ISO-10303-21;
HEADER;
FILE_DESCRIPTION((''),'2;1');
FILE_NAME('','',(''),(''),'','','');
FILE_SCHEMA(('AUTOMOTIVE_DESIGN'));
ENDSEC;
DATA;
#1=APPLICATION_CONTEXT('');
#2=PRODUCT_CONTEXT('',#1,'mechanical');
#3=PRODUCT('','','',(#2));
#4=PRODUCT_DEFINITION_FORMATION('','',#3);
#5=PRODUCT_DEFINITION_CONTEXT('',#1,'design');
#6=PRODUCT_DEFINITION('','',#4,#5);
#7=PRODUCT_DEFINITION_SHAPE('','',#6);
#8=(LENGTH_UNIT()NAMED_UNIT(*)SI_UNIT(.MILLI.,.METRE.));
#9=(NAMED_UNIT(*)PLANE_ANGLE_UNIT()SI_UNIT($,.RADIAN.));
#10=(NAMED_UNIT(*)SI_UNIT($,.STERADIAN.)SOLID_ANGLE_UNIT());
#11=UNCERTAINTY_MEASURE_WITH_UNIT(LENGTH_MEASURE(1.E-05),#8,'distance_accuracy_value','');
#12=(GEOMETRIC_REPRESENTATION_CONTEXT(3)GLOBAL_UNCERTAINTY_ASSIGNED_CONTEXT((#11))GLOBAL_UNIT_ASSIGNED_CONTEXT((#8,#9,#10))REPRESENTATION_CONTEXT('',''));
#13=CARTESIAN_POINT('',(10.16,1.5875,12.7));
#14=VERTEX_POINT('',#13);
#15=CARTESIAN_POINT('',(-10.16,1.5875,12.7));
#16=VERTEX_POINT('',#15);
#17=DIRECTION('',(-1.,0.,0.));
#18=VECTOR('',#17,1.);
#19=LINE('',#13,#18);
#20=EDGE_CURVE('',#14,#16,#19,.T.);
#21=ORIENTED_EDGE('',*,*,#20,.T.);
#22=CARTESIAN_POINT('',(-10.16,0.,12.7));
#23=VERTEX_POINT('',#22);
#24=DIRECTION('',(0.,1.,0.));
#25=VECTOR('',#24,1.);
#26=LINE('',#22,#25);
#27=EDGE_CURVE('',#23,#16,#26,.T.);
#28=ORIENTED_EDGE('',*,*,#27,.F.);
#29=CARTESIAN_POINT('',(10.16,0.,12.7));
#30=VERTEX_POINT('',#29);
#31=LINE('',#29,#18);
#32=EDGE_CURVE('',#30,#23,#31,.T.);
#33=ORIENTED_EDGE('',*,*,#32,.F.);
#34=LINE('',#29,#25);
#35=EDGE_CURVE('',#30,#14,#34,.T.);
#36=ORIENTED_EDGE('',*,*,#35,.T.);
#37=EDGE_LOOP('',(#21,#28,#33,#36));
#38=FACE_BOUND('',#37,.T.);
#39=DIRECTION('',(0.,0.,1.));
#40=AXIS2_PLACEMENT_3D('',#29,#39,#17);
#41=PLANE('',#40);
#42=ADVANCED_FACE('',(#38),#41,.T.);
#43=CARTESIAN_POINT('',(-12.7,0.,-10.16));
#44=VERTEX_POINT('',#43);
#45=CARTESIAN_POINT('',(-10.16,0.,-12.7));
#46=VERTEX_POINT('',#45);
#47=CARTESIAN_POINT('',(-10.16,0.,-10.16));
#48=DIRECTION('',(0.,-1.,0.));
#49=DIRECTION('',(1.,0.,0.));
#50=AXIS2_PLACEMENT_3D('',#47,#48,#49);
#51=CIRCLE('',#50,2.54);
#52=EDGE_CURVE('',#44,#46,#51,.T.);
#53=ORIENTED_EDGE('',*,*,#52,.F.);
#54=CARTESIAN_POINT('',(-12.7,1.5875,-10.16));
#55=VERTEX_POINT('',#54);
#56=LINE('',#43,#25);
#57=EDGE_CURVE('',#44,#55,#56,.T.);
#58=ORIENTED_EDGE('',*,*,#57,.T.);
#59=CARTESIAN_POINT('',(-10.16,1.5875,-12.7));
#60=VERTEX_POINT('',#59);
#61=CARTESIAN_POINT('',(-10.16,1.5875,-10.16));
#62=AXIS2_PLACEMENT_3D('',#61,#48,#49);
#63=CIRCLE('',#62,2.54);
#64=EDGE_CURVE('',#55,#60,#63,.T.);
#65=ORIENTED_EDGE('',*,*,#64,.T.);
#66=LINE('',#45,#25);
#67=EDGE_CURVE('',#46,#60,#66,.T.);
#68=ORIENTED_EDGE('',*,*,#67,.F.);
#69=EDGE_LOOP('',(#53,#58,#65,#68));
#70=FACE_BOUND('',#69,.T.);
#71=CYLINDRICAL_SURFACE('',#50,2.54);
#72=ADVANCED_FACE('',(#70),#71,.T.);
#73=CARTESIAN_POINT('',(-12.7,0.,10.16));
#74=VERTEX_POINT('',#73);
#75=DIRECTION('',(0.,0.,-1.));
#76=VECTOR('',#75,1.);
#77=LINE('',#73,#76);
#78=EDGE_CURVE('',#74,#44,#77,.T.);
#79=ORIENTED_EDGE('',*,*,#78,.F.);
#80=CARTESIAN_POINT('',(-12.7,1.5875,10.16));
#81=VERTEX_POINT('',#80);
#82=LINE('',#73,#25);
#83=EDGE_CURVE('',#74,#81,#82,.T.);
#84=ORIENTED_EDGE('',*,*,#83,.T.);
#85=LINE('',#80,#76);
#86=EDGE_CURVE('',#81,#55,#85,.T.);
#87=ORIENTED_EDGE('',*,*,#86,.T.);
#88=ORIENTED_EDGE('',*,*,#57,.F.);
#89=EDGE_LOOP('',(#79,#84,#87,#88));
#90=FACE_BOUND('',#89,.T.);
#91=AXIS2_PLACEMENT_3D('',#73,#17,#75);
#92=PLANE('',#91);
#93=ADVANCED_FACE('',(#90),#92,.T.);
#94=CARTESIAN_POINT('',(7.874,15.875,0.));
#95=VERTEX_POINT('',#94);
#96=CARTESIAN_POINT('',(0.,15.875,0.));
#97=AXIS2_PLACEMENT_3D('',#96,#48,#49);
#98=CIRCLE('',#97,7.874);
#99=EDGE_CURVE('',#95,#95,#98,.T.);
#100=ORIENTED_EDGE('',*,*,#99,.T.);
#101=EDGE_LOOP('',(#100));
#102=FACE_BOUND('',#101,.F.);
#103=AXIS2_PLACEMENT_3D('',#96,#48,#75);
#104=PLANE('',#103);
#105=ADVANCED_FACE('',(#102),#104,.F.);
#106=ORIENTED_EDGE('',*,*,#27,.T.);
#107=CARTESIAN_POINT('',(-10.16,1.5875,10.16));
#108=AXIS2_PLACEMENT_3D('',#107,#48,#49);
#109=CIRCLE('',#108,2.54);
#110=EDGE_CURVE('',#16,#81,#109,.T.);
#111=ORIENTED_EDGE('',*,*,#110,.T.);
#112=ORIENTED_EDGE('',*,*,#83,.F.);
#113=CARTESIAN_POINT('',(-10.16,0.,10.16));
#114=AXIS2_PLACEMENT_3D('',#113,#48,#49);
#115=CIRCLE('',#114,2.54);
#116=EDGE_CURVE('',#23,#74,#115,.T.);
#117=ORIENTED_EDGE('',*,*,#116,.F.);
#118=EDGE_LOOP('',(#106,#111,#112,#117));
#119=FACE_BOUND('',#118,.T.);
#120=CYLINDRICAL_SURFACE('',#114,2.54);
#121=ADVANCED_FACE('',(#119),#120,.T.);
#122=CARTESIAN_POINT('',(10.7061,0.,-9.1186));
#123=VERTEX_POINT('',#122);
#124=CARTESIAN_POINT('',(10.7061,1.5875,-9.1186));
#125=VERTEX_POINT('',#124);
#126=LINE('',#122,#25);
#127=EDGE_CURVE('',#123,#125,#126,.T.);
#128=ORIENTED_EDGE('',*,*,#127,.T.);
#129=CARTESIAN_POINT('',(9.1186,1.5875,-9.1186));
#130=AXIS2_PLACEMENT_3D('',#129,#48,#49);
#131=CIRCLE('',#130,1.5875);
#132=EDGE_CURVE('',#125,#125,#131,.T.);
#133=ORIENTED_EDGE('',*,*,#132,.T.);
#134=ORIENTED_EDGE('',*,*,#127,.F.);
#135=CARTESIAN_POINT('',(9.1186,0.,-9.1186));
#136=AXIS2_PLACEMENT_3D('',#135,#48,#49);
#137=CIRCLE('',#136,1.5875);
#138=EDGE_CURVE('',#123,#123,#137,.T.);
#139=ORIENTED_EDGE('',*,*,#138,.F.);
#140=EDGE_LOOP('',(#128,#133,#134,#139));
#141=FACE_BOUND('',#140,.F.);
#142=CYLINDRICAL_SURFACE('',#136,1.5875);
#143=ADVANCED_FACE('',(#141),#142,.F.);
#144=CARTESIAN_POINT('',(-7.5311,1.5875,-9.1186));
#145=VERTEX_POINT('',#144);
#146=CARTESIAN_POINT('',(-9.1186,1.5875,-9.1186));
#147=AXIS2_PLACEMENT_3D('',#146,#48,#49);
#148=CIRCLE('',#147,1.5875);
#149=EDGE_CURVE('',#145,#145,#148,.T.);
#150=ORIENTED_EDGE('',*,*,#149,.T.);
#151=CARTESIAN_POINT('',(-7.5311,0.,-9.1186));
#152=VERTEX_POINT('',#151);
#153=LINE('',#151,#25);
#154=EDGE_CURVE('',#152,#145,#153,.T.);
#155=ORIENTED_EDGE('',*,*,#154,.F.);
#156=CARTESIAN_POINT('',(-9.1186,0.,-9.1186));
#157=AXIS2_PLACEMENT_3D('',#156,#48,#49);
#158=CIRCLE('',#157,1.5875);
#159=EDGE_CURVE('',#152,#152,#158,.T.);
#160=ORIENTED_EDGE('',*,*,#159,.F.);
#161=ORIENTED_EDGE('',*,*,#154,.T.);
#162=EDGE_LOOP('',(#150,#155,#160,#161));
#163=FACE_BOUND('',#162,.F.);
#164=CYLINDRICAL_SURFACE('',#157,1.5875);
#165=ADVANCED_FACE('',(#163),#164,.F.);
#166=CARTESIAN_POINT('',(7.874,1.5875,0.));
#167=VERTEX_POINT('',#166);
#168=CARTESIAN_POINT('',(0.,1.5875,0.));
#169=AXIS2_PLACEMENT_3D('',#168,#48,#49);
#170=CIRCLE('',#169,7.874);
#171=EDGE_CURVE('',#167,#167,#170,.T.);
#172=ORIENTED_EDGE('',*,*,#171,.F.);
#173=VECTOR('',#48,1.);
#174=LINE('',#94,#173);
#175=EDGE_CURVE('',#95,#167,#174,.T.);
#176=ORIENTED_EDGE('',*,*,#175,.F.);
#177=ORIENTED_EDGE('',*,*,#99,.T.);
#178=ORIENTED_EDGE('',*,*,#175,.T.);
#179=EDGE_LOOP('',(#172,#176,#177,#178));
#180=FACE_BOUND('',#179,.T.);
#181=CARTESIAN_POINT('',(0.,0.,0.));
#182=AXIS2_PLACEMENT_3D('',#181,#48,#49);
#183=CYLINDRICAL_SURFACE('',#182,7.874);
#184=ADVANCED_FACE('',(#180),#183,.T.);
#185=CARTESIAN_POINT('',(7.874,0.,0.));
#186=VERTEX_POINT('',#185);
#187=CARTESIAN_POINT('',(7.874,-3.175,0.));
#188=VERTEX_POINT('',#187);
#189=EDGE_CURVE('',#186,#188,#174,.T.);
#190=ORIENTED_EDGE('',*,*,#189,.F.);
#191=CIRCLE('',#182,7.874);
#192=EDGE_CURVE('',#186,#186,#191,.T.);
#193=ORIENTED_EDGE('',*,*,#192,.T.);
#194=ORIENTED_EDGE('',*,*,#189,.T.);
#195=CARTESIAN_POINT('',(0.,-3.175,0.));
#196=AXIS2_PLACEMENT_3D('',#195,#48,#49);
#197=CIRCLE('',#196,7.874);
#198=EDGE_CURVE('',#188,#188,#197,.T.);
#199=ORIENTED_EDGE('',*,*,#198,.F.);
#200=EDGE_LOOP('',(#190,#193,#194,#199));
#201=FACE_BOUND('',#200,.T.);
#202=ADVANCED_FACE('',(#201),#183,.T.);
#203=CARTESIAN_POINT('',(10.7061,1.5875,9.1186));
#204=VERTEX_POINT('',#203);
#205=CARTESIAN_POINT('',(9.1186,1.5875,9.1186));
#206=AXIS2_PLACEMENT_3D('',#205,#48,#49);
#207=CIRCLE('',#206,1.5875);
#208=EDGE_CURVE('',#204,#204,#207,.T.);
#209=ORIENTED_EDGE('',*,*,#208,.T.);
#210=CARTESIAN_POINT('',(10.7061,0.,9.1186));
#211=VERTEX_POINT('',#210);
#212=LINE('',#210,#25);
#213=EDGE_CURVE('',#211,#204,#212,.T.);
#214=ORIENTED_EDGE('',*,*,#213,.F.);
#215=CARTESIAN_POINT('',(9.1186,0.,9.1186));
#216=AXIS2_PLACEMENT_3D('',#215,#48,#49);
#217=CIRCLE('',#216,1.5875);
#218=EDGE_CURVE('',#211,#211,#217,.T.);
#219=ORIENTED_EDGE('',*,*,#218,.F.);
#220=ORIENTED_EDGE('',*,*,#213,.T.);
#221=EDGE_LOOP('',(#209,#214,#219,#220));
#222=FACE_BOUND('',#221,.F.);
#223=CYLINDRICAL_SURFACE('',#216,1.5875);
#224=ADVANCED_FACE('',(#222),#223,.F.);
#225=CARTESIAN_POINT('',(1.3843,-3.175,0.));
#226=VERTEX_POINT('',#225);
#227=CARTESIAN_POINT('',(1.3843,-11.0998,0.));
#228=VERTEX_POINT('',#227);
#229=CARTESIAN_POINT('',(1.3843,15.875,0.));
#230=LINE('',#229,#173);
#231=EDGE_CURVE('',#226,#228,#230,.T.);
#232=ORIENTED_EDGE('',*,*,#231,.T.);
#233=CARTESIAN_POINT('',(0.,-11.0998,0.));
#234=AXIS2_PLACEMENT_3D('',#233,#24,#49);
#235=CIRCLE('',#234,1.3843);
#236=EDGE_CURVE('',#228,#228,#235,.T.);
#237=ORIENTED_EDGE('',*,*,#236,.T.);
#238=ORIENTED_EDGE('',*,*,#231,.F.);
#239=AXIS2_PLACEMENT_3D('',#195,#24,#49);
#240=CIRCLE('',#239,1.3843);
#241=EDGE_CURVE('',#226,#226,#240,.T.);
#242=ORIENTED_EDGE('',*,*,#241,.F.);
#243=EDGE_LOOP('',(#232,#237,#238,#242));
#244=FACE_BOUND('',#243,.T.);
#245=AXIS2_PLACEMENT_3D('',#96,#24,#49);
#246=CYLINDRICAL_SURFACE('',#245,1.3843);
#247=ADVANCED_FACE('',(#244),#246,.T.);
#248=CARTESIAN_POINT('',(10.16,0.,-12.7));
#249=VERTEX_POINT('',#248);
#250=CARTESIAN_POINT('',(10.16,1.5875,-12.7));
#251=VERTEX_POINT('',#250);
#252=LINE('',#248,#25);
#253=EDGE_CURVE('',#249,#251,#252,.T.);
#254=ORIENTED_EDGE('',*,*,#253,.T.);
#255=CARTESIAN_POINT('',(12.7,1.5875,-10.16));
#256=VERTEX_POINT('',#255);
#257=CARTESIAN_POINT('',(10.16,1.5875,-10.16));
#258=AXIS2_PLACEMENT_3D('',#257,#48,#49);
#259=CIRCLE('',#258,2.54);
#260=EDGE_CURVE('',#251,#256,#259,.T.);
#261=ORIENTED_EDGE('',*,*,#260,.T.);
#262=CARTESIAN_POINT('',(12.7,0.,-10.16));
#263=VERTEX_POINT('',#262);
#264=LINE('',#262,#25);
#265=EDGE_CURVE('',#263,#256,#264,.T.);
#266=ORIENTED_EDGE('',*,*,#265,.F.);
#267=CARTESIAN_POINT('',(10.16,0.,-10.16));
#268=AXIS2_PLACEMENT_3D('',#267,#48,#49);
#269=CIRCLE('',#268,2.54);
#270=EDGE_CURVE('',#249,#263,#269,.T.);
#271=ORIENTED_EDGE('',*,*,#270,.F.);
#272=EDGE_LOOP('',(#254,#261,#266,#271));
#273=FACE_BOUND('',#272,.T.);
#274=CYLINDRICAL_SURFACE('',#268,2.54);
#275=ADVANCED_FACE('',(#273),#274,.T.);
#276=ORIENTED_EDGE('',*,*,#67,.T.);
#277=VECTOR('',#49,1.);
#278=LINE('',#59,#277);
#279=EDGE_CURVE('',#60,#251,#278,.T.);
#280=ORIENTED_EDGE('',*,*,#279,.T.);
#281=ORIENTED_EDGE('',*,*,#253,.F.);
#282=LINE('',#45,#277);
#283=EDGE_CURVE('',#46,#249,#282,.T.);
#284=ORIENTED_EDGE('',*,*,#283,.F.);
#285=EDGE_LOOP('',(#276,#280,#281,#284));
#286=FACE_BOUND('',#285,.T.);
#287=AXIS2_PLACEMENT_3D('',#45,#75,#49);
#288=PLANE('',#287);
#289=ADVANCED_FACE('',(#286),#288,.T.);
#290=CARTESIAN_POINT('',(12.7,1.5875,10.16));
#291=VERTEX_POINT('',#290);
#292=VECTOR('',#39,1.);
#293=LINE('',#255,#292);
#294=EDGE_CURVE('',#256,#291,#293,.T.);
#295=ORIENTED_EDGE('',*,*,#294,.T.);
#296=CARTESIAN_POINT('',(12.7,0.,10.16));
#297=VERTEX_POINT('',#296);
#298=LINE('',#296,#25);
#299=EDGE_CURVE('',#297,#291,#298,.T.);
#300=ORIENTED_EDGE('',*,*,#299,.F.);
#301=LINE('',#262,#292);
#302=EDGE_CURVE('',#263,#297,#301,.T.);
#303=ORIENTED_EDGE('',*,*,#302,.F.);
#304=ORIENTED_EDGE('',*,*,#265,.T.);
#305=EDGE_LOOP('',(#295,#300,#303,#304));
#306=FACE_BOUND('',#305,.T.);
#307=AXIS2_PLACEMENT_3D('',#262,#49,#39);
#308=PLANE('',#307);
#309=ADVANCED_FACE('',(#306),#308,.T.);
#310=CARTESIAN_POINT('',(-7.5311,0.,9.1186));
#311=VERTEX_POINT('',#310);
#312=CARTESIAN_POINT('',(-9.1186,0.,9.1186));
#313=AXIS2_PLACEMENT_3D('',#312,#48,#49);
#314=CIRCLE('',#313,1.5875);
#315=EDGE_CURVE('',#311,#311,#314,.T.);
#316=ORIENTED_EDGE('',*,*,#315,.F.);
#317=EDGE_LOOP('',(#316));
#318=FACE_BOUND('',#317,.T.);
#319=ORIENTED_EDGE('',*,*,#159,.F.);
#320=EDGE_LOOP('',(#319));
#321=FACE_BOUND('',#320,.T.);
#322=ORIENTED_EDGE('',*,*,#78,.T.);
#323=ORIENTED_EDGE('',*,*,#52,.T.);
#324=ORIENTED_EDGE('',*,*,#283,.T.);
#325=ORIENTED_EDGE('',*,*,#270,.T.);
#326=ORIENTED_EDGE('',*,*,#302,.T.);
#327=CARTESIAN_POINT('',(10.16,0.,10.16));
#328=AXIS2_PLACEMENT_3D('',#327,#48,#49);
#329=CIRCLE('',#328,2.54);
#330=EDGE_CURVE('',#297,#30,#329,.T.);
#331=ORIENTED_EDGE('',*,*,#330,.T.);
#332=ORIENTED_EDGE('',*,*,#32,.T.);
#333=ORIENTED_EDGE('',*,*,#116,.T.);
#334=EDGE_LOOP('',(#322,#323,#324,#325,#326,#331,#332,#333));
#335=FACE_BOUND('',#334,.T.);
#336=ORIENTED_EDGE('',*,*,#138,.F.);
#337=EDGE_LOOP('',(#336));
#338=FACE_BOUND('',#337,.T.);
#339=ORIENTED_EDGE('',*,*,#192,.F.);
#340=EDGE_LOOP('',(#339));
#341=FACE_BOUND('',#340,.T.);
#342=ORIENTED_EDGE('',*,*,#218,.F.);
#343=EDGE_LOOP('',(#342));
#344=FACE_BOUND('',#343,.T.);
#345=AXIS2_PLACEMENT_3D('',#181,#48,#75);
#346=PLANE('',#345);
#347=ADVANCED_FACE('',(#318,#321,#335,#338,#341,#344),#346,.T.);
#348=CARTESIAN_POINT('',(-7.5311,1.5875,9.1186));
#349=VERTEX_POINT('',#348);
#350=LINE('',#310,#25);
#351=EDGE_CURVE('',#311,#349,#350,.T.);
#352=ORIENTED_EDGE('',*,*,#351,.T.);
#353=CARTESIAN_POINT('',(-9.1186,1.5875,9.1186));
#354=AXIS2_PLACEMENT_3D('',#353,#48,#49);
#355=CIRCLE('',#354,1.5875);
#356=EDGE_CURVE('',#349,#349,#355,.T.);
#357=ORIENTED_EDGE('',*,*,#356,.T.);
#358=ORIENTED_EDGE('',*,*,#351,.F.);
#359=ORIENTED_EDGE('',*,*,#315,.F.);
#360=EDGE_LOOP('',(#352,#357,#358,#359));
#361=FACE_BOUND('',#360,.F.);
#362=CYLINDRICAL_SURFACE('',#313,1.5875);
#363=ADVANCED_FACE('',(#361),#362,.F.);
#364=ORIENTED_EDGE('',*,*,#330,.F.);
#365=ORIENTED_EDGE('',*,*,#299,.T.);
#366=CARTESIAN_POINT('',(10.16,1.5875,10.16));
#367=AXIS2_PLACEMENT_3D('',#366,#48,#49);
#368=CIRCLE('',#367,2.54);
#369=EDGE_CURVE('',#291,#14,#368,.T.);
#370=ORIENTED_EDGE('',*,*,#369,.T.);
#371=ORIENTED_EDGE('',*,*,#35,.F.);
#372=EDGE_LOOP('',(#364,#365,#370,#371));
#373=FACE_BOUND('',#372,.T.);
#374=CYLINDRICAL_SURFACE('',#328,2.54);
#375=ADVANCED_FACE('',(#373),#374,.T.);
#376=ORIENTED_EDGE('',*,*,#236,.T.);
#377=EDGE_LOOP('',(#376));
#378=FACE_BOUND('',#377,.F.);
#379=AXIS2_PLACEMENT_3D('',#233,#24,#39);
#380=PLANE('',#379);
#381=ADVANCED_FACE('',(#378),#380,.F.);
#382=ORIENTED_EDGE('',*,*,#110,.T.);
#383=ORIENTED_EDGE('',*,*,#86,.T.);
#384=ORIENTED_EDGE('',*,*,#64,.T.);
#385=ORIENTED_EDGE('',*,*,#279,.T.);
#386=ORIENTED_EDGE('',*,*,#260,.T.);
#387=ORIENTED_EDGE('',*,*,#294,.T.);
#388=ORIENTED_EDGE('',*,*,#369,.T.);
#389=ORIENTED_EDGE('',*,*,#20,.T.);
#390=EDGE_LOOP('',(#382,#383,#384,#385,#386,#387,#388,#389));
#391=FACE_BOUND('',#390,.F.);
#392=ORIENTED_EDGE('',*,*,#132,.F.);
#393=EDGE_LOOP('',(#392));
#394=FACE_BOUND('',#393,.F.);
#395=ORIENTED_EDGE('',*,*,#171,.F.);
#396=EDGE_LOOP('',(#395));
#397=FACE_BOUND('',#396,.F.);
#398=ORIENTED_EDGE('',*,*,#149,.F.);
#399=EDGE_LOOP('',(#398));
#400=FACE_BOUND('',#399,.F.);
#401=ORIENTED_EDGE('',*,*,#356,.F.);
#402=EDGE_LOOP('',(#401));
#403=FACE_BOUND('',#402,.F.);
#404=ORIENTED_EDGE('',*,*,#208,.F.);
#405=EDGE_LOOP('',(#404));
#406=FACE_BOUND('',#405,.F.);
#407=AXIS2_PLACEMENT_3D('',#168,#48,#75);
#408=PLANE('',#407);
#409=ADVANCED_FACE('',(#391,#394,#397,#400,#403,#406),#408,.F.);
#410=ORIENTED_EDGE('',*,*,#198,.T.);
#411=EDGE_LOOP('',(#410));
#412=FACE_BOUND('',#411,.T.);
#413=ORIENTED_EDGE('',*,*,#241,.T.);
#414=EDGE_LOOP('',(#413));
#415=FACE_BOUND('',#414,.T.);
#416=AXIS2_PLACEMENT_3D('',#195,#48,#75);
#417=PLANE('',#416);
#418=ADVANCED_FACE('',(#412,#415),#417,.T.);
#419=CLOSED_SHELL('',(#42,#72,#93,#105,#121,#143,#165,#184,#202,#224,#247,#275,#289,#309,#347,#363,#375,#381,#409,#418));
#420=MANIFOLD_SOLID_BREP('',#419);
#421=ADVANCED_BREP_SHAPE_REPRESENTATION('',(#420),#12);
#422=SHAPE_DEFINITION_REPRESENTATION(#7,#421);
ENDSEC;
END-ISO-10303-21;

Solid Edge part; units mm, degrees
sketch "Sketch1" plane through (0, 0, 0) normal (0, -1, 0) x (1, 0, 0)
  line L0 (10.16, 12.7) -> (-10.16, 12.7)
  arc A0 (-10.16, 12.7) -> (-12.7, 10.16) centre (-10.16, 10.16) ccw
  line L1 (-12.7, 10.16) -> (-12.7, -10.16)
  arc A1 (-12.7, -10.16) -> (-10.16, -12.7) centre (-10.16, -10.16) ccw
  line L2 (-10.16, -12.7) -> (10.16, -12.7)
  arc A2 (10.16, -12.7) -> (12.7, -10.16) centre (10.16, -10.16) ccw
  line L3 (12.7, -10.16) -> (12.7, 10.16)
  arc A3 (12.7, 10.16) -> (10.16, 12.7) centre (10.16, 10.16) ccw
extrude "Protrusion1" add sketch "Sketch1" against normal blind 1.5875
sketch "Sketch2" plane through (0, 0, 0) normal (0, -1, 0) x (1, 0, 0)
  circle A0 centre (-9.1186, 9.1186) radius 1.5875
  circle A1 centre (9.1186, 9.1186) radius 1.5875
  circle A2 centre (9.1186, -9.1186) radius 1.5875
  circle A3 centre (-9.1186, -9.1186) radius 1.5875
  dimension "D1" = 3.175
extrude "Cutout1" cut sketch "Sketch2" against normal through all
sketch "Sketch3" plane through (0, 0, 0) normal (0, -1, 0) x (1, 0, 0)
  circle A0 centre (0, 0) radius 7.874
extrude "ExtrudedProtrusion_2" add sketch "Sketch3" against normal blind 15.875 and the other way blind 3.175
sketch "Sketch4" plane through (0, 15.875, 0) normal (0, 1, 0) x (1, 0, 0)
  circle A0 centre (0, 0) radius 1.3843
extrude "ExtrudedProtrusion_3" add sketch "Sketch4" against normal blind 26.9748
